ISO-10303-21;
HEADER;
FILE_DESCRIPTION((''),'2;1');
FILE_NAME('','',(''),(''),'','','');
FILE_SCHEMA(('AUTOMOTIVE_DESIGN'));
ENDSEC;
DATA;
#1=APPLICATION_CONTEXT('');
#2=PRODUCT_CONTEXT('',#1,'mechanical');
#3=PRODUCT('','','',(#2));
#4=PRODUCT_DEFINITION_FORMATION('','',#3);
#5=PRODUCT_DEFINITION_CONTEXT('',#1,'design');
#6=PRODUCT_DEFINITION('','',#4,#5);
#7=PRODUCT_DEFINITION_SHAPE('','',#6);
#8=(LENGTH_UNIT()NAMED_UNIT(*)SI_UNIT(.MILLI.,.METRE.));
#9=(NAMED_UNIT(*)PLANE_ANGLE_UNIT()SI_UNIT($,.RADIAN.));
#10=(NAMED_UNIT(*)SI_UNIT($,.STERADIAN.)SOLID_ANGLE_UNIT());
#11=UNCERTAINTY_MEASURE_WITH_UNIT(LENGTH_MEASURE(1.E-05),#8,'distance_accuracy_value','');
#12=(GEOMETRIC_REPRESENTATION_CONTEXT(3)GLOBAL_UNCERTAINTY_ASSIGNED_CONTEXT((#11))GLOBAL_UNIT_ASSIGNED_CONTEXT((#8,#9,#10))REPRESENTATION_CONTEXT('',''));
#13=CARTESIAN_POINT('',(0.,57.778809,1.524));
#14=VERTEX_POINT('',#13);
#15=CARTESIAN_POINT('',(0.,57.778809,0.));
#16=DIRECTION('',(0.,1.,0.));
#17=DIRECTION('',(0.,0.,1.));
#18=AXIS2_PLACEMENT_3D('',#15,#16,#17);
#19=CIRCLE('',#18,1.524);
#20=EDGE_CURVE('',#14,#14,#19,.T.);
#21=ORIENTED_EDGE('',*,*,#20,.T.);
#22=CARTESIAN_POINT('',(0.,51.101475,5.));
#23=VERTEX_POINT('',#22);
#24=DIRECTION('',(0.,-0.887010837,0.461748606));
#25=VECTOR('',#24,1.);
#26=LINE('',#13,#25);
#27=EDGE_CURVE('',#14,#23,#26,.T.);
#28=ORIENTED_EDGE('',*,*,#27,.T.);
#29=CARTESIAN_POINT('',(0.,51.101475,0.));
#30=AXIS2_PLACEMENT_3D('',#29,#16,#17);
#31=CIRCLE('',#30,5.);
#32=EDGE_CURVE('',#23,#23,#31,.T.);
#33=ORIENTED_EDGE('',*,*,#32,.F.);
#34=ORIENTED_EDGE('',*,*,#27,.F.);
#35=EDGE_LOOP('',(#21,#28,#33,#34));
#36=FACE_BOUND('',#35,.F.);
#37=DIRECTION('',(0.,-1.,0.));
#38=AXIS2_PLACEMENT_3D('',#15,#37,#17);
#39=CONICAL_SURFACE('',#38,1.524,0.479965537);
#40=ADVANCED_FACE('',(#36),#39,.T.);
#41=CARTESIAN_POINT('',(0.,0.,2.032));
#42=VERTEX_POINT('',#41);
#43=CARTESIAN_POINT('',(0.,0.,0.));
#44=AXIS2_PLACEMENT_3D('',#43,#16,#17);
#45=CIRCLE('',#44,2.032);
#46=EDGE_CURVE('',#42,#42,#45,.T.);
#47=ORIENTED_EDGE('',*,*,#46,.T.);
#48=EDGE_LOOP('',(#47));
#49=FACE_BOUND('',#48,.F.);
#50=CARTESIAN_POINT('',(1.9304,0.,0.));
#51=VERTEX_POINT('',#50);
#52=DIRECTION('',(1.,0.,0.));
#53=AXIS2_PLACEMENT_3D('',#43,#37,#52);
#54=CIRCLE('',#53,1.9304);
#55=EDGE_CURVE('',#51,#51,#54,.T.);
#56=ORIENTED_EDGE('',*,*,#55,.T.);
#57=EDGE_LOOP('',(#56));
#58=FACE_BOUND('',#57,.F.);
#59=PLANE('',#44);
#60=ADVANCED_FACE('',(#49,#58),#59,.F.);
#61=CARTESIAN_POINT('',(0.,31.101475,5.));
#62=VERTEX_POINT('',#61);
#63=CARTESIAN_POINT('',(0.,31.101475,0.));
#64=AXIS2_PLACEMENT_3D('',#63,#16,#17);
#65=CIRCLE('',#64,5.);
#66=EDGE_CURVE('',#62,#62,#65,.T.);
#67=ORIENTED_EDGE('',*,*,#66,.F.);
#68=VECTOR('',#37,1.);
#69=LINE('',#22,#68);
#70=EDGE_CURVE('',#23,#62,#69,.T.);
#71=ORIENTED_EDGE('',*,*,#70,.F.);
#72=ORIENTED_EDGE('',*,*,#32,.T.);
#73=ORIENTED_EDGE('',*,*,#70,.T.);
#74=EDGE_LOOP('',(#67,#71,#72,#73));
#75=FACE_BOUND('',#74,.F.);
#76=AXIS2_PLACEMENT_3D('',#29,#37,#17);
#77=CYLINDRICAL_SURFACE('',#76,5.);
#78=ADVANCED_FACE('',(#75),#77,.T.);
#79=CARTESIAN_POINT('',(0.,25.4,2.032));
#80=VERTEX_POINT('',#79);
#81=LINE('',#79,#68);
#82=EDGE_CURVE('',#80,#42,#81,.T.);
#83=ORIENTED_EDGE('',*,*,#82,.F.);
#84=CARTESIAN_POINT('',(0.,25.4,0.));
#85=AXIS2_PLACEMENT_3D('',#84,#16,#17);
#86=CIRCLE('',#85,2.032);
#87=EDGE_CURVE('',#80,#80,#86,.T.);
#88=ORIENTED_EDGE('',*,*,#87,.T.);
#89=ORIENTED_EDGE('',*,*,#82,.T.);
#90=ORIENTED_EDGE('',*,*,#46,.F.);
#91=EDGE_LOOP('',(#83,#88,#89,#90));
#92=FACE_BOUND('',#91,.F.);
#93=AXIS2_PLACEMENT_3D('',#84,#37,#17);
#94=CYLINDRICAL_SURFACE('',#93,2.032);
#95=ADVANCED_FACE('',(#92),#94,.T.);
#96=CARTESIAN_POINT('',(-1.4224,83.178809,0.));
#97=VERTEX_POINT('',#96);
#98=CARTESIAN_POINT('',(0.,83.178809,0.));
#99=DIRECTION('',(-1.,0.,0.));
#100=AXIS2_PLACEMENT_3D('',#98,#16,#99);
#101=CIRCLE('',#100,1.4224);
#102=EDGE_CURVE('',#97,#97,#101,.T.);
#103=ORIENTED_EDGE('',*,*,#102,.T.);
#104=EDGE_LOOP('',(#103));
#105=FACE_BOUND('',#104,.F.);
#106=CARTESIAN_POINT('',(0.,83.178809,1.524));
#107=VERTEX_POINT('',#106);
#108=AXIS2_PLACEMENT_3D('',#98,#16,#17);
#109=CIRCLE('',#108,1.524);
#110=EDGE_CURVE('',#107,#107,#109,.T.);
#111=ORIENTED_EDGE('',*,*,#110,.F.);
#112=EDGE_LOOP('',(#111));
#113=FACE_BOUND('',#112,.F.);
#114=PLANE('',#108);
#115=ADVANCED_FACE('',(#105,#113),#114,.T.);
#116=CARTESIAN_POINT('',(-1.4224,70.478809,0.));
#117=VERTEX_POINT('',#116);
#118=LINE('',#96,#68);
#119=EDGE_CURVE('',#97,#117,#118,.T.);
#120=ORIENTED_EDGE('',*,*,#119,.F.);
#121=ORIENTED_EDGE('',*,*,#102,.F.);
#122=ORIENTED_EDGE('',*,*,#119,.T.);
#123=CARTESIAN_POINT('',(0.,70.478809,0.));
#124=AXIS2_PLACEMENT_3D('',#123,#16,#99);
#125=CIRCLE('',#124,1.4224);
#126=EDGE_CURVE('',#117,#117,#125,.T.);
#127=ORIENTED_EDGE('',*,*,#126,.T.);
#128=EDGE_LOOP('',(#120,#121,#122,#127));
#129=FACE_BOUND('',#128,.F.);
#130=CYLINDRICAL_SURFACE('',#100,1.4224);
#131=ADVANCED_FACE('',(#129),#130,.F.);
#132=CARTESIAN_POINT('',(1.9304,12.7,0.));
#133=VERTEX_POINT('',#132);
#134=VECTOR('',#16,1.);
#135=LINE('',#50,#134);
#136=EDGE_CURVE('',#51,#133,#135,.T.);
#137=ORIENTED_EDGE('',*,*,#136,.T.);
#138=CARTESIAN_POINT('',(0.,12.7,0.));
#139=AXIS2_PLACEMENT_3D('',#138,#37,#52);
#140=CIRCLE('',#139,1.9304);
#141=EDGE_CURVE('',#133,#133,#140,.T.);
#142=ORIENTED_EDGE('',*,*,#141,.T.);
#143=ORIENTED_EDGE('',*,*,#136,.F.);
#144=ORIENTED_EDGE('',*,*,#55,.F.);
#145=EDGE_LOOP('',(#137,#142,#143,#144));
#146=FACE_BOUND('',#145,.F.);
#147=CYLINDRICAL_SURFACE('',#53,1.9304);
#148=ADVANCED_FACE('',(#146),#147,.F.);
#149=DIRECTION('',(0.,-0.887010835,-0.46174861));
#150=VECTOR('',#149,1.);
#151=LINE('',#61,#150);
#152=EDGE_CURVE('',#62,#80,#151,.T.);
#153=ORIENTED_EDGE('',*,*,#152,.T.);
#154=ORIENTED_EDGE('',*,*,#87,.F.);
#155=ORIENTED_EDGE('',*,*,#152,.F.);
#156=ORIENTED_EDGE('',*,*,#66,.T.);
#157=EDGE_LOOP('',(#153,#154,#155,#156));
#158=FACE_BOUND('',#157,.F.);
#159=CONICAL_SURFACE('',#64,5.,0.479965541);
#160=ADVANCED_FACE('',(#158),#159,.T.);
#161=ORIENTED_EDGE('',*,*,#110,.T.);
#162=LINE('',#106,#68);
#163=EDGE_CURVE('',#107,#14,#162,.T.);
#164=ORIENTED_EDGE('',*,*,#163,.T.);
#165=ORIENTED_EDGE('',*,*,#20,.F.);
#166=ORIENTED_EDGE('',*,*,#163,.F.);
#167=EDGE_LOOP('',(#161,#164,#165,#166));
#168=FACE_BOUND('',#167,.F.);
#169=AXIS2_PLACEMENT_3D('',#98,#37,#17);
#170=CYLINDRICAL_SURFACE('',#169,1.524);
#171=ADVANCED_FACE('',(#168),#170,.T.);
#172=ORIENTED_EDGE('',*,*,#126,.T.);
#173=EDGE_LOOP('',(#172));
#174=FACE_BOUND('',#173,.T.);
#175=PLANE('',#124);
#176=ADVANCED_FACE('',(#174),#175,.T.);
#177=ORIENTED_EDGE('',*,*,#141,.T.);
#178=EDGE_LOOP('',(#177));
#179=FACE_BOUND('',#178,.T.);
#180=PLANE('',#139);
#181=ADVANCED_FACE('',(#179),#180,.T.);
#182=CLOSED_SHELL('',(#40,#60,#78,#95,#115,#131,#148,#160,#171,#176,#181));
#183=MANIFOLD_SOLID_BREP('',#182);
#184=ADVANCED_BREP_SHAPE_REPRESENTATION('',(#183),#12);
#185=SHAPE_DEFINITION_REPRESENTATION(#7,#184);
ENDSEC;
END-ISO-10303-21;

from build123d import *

# Parameters (mm, degrees)
F2_R     = 1.9304
F3_DEPTH = 12.7
F4_R     = 1.4224
F5_DEPTH = 12.7


with BuildPart() as f1:
    # F0 (on Right) → F1 (revolve)
    with BuildSketch(Plane.YZ):
        Polygon((0, 2.032), (0, 0), (83.178809, 0), (83.178809, 1.524), (57.778809, 1.524), (51.101475, 5), (31.101475, 5), (25.4, 2.032), align=None)
    revolve(axis=Axis((0, 41.589404, 0), (0, 1, 0)))

    # F2 (on face) → F3 (cut)
    with BuildSketch(Plane.XZ):
        Circle(F2_R)
    extrude(amount=-F3_DEPTH, mode=Mode.SUBTRACT)

    # F4 (on face) → F5 (cut)
    with BuildSketch(Plane(origin=(0, 83.178809, 0), x_dir=(-1, 0, 0), z_dir=(0, 1, 0))):
        Circle(F4_R)
    extrude(amount=-F5_DEPTH, mode=Mode.SUBTRACT)


solid = f1.part
